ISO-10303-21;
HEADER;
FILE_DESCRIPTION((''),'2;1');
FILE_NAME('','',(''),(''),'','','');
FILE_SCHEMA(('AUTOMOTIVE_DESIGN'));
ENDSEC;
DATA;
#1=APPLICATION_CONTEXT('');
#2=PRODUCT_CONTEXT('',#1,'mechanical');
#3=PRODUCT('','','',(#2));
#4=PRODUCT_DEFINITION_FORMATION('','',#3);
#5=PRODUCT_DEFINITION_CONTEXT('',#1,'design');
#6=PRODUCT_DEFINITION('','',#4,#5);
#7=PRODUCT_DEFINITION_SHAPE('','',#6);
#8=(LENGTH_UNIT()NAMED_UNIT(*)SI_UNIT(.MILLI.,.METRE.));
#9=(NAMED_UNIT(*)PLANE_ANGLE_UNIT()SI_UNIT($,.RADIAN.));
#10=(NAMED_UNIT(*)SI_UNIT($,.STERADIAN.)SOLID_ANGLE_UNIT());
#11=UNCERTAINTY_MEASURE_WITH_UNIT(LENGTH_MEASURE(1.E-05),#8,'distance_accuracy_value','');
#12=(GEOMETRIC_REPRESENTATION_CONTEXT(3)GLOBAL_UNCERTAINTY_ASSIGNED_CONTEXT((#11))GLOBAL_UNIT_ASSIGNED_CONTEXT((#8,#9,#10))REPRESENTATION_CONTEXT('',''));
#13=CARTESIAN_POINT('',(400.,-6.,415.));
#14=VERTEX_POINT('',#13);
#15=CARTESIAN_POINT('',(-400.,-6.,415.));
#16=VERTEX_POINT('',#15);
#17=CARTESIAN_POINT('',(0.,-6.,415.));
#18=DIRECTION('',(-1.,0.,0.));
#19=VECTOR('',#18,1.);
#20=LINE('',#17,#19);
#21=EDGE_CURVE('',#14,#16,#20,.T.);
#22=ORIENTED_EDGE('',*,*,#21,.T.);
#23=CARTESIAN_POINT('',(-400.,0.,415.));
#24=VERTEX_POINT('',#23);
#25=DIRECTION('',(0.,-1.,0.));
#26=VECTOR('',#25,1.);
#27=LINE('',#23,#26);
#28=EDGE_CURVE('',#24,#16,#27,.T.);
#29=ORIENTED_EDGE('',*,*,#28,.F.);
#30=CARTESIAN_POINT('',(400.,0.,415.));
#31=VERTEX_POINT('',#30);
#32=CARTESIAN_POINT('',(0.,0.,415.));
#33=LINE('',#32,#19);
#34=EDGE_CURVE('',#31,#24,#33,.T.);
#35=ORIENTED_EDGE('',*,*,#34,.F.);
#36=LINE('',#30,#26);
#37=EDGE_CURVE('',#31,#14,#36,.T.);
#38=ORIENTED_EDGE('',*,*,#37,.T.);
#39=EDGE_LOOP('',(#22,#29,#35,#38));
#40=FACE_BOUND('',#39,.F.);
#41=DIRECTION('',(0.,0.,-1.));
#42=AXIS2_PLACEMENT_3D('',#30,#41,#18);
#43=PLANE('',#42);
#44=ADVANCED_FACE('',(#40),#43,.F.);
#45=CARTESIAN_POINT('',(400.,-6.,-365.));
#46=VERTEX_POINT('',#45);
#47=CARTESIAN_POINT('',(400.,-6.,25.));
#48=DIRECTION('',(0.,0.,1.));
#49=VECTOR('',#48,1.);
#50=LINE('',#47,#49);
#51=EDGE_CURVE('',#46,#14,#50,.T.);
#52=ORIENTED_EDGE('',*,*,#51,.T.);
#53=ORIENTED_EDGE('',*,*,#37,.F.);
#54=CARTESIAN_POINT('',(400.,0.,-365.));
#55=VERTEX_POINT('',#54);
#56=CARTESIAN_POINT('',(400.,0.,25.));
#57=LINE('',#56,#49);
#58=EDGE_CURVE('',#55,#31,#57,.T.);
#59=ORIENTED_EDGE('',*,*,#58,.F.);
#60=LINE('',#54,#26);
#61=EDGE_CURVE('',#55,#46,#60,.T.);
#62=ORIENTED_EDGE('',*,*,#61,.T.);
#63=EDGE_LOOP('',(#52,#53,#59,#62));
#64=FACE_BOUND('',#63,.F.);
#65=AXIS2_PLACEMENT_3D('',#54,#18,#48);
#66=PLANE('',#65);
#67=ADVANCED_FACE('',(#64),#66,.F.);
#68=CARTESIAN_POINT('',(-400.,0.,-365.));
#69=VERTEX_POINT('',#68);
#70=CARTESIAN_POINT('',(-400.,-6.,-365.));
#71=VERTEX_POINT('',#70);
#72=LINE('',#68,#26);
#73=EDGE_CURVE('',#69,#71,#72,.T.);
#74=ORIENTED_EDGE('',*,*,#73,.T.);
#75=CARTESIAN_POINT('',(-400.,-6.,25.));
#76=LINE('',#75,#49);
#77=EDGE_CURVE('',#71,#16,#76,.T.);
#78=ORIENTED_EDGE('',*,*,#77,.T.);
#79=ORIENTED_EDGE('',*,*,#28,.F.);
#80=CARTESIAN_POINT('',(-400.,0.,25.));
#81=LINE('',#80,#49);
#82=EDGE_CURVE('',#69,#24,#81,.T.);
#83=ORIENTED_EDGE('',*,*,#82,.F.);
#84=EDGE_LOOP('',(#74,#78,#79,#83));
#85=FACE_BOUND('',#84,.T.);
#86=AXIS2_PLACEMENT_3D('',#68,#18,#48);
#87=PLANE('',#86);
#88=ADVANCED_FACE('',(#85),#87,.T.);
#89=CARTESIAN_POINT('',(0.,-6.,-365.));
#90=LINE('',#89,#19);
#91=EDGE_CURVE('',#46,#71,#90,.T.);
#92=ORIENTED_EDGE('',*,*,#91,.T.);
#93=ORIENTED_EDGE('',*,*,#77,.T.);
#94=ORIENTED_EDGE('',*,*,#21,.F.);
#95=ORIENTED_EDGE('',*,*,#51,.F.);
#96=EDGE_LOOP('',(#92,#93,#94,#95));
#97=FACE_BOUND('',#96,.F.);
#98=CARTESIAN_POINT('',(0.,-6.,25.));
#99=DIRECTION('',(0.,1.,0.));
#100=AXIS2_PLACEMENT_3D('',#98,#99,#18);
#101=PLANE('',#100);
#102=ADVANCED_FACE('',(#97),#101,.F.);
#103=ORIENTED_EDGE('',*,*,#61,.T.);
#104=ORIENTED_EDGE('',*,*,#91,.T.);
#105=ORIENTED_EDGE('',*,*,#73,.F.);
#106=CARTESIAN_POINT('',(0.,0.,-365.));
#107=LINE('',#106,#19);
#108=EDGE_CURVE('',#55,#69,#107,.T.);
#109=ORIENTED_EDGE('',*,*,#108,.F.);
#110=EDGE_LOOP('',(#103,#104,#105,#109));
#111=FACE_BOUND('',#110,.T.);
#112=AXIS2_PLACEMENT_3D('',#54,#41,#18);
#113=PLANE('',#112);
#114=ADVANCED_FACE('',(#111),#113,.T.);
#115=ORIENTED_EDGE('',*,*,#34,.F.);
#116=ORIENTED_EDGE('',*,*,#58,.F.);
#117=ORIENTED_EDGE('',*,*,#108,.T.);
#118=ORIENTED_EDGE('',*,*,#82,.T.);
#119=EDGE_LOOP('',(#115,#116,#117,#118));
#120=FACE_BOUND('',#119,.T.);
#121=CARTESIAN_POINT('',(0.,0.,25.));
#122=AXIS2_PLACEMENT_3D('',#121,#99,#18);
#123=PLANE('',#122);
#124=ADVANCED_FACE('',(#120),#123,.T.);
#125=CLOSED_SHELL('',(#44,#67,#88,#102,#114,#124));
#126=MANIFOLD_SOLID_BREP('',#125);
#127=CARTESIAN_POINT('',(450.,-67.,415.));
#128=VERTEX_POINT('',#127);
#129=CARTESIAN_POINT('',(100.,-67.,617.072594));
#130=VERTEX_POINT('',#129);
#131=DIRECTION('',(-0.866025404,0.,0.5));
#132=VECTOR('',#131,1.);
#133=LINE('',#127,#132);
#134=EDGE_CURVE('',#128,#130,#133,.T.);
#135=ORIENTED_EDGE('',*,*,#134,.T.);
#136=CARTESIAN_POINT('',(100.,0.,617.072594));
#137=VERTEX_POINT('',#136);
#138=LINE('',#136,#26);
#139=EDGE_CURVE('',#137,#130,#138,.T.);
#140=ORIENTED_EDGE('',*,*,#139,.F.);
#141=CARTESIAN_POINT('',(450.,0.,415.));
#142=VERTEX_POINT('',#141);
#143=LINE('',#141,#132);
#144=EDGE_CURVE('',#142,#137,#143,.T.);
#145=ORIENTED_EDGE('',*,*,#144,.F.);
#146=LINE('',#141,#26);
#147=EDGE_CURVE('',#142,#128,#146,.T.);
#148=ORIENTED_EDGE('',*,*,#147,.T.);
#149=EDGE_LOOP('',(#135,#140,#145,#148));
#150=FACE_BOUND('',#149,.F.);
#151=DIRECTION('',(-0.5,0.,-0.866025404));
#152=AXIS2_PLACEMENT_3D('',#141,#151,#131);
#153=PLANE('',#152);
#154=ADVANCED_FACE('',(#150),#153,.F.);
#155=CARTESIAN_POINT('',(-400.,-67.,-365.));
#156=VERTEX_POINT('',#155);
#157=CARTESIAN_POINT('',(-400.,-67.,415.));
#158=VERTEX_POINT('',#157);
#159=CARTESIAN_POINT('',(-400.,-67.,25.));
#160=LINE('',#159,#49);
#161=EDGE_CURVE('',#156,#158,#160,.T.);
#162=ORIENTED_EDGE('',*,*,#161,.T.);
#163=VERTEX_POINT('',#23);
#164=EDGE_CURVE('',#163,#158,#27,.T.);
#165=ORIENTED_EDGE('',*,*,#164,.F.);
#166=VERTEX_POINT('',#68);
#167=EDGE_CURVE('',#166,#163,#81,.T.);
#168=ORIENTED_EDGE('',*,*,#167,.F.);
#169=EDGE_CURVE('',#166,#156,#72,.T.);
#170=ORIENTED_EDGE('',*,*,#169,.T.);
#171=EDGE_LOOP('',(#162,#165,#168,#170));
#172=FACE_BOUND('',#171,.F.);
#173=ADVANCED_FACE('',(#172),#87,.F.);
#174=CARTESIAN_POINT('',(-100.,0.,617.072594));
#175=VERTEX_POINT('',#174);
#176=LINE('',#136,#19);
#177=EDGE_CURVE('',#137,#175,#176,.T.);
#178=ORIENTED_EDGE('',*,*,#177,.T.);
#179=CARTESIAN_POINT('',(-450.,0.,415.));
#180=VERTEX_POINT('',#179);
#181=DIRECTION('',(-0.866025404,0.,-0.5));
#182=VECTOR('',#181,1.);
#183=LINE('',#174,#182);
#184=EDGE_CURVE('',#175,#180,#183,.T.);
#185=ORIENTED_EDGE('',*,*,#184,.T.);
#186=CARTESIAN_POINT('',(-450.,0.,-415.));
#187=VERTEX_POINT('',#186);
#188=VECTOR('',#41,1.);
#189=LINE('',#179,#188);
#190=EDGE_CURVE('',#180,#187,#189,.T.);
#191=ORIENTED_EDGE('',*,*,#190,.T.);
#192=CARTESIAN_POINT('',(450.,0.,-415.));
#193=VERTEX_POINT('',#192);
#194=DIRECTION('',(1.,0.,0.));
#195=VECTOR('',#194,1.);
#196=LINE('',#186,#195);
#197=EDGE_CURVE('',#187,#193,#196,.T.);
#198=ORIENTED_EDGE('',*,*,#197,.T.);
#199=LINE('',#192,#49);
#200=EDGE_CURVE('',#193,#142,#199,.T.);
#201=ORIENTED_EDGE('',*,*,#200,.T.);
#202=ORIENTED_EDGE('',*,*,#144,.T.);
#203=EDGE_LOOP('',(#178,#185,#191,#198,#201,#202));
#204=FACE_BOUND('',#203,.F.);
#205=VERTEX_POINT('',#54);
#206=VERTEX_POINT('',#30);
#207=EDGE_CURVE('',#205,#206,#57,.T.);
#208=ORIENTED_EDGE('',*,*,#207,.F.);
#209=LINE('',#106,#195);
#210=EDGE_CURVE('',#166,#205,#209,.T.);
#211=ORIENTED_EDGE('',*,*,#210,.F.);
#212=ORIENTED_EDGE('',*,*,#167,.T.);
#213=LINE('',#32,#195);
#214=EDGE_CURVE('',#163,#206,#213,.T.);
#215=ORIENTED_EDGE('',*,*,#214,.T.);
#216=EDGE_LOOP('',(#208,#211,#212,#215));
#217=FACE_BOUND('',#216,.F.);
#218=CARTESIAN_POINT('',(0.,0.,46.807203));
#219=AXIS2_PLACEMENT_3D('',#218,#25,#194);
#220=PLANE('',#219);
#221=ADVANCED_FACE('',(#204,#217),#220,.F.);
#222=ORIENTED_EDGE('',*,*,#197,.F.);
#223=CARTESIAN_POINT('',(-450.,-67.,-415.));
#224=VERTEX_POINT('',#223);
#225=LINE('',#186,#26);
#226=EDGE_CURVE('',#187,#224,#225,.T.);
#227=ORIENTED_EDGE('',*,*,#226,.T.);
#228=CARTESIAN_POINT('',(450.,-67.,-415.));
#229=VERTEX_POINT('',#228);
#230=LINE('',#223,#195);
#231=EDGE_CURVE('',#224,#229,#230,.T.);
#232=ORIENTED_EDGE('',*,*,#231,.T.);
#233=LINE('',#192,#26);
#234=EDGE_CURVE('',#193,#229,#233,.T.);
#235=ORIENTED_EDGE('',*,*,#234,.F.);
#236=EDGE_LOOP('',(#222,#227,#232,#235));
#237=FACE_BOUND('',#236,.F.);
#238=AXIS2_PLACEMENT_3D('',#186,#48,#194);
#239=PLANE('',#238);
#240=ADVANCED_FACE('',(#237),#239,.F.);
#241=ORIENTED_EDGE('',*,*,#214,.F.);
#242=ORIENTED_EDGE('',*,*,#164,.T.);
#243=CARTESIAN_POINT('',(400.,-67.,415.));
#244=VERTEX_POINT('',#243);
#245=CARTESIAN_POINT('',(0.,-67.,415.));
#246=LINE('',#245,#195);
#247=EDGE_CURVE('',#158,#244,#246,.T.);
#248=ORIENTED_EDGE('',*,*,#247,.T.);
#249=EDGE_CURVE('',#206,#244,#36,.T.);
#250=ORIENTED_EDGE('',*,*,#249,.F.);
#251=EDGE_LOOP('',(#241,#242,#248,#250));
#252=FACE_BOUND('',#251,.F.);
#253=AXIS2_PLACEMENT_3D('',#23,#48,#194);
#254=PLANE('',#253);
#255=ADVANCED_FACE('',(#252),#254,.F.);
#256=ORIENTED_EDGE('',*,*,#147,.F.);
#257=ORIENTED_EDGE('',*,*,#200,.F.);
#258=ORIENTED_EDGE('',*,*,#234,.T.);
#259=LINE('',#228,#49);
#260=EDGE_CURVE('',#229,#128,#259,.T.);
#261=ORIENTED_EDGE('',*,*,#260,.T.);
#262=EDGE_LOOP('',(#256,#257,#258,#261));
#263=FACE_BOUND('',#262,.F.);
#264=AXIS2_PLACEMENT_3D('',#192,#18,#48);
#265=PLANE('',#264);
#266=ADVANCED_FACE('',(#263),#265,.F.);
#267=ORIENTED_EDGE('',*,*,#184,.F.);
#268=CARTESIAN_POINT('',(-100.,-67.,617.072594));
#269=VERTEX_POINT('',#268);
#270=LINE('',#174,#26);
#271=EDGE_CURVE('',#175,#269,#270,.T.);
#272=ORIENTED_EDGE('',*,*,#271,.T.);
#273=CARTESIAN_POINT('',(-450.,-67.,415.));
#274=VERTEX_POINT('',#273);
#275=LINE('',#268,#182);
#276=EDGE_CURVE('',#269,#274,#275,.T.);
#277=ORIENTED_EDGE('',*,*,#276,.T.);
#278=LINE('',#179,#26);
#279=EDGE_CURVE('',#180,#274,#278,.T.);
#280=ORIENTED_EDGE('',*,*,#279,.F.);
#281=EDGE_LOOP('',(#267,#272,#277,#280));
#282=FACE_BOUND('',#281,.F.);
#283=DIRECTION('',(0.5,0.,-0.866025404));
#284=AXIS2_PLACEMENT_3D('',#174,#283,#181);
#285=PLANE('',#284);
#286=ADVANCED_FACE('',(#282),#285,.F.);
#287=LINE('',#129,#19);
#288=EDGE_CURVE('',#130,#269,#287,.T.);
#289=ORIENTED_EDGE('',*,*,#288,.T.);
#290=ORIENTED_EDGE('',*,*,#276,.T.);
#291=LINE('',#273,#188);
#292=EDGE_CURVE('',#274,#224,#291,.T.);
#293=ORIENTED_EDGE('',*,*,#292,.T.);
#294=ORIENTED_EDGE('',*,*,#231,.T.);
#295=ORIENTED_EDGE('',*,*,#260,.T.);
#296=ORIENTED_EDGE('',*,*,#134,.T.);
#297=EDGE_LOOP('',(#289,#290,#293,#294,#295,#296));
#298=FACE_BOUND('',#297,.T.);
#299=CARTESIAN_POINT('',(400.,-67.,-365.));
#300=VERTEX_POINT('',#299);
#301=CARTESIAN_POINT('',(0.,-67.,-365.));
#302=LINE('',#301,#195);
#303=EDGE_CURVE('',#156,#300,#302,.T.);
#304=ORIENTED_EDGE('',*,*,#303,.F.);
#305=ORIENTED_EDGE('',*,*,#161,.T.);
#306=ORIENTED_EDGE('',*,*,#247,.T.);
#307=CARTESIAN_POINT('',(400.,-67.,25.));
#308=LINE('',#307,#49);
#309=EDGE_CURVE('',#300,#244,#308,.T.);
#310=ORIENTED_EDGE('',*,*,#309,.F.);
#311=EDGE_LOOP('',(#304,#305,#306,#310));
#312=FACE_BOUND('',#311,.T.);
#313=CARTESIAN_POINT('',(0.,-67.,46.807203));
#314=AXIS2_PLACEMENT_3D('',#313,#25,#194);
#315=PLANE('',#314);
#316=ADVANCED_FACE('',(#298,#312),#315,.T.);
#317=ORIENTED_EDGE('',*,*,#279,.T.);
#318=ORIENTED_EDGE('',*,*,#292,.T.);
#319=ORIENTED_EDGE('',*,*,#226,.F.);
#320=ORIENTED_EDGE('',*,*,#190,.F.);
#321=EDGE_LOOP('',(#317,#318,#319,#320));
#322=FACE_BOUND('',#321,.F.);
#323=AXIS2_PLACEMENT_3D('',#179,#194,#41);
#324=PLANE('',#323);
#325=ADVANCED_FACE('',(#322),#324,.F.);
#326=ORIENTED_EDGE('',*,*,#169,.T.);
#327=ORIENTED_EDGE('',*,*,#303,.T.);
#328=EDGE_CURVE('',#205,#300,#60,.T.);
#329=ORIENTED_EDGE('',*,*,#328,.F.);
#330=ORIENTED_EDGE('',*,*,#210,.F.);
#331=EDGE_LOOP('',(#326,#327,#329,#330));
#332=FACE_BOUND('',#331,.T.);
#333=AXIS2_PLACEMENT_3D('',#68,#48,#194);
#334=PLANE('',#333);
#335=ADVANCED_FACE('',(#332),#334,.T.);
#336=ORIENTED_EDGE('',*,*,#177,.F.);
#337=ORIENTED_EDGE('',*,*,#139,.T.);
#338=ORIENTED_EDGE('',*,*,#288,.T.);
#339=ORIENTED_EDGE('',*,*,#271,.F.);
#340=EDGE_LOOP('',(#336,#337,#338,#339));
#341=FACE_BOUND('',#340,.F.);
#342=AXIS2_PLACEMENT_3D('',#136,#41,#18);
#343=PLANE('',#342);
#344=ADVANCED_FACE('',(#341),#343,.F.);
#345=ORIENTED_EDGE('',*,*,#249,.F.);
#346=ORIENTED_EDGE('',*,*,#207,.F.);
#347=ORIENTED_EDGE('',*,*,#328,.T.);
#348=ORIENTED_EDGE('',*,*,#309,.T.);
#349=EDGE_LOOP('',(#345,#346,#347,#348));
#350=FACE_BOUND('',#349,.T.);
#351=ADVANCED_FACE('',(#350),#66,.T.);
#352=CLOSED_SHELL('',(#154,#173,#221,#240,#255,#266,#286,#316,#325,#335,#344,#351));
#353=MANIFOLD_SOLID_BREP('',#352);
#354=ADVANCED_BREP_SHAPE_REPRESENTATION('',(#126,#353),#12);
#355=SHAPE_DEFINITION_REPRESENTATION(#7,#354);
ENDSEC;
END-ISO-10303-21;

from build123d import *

# Parameters (mm, degrees)
F0_W     = 800
F0_H     = 780
F1_DEPTH = 67
F2_W     = 800
F2_H     = 780
F3_DEPTH = 6


with BuildPart() as f1:
    # F0 (on Front) → F1 (new body)
    with BuildSketch(Plane.XZ):
        Polygon((-450, -415), (450, -415), (450, 415), (100, 617.072594), (-100, 617.072594), (-450, 415), align=None)
        with Locations((0, 25)):
            Rectangle(F0_W, F0_H, mode=Mode.SUBTRACT)
    extrude(amount=F1_DEPTH)


with BuildPart() as f3:
    # F2 (on face) → F3 (new body)
    with BuildSketch(Plane(origin=(0, 0, 0), x_dir=(-1, 0, 0), z_dir=(0, 1, 0))):
        with Locations((0, 25)):
            Rectangle(F2_W, F2_H)
    extrude(amount=-F3_DEPTH)


solid = Compound([f1.part, f3.part])
